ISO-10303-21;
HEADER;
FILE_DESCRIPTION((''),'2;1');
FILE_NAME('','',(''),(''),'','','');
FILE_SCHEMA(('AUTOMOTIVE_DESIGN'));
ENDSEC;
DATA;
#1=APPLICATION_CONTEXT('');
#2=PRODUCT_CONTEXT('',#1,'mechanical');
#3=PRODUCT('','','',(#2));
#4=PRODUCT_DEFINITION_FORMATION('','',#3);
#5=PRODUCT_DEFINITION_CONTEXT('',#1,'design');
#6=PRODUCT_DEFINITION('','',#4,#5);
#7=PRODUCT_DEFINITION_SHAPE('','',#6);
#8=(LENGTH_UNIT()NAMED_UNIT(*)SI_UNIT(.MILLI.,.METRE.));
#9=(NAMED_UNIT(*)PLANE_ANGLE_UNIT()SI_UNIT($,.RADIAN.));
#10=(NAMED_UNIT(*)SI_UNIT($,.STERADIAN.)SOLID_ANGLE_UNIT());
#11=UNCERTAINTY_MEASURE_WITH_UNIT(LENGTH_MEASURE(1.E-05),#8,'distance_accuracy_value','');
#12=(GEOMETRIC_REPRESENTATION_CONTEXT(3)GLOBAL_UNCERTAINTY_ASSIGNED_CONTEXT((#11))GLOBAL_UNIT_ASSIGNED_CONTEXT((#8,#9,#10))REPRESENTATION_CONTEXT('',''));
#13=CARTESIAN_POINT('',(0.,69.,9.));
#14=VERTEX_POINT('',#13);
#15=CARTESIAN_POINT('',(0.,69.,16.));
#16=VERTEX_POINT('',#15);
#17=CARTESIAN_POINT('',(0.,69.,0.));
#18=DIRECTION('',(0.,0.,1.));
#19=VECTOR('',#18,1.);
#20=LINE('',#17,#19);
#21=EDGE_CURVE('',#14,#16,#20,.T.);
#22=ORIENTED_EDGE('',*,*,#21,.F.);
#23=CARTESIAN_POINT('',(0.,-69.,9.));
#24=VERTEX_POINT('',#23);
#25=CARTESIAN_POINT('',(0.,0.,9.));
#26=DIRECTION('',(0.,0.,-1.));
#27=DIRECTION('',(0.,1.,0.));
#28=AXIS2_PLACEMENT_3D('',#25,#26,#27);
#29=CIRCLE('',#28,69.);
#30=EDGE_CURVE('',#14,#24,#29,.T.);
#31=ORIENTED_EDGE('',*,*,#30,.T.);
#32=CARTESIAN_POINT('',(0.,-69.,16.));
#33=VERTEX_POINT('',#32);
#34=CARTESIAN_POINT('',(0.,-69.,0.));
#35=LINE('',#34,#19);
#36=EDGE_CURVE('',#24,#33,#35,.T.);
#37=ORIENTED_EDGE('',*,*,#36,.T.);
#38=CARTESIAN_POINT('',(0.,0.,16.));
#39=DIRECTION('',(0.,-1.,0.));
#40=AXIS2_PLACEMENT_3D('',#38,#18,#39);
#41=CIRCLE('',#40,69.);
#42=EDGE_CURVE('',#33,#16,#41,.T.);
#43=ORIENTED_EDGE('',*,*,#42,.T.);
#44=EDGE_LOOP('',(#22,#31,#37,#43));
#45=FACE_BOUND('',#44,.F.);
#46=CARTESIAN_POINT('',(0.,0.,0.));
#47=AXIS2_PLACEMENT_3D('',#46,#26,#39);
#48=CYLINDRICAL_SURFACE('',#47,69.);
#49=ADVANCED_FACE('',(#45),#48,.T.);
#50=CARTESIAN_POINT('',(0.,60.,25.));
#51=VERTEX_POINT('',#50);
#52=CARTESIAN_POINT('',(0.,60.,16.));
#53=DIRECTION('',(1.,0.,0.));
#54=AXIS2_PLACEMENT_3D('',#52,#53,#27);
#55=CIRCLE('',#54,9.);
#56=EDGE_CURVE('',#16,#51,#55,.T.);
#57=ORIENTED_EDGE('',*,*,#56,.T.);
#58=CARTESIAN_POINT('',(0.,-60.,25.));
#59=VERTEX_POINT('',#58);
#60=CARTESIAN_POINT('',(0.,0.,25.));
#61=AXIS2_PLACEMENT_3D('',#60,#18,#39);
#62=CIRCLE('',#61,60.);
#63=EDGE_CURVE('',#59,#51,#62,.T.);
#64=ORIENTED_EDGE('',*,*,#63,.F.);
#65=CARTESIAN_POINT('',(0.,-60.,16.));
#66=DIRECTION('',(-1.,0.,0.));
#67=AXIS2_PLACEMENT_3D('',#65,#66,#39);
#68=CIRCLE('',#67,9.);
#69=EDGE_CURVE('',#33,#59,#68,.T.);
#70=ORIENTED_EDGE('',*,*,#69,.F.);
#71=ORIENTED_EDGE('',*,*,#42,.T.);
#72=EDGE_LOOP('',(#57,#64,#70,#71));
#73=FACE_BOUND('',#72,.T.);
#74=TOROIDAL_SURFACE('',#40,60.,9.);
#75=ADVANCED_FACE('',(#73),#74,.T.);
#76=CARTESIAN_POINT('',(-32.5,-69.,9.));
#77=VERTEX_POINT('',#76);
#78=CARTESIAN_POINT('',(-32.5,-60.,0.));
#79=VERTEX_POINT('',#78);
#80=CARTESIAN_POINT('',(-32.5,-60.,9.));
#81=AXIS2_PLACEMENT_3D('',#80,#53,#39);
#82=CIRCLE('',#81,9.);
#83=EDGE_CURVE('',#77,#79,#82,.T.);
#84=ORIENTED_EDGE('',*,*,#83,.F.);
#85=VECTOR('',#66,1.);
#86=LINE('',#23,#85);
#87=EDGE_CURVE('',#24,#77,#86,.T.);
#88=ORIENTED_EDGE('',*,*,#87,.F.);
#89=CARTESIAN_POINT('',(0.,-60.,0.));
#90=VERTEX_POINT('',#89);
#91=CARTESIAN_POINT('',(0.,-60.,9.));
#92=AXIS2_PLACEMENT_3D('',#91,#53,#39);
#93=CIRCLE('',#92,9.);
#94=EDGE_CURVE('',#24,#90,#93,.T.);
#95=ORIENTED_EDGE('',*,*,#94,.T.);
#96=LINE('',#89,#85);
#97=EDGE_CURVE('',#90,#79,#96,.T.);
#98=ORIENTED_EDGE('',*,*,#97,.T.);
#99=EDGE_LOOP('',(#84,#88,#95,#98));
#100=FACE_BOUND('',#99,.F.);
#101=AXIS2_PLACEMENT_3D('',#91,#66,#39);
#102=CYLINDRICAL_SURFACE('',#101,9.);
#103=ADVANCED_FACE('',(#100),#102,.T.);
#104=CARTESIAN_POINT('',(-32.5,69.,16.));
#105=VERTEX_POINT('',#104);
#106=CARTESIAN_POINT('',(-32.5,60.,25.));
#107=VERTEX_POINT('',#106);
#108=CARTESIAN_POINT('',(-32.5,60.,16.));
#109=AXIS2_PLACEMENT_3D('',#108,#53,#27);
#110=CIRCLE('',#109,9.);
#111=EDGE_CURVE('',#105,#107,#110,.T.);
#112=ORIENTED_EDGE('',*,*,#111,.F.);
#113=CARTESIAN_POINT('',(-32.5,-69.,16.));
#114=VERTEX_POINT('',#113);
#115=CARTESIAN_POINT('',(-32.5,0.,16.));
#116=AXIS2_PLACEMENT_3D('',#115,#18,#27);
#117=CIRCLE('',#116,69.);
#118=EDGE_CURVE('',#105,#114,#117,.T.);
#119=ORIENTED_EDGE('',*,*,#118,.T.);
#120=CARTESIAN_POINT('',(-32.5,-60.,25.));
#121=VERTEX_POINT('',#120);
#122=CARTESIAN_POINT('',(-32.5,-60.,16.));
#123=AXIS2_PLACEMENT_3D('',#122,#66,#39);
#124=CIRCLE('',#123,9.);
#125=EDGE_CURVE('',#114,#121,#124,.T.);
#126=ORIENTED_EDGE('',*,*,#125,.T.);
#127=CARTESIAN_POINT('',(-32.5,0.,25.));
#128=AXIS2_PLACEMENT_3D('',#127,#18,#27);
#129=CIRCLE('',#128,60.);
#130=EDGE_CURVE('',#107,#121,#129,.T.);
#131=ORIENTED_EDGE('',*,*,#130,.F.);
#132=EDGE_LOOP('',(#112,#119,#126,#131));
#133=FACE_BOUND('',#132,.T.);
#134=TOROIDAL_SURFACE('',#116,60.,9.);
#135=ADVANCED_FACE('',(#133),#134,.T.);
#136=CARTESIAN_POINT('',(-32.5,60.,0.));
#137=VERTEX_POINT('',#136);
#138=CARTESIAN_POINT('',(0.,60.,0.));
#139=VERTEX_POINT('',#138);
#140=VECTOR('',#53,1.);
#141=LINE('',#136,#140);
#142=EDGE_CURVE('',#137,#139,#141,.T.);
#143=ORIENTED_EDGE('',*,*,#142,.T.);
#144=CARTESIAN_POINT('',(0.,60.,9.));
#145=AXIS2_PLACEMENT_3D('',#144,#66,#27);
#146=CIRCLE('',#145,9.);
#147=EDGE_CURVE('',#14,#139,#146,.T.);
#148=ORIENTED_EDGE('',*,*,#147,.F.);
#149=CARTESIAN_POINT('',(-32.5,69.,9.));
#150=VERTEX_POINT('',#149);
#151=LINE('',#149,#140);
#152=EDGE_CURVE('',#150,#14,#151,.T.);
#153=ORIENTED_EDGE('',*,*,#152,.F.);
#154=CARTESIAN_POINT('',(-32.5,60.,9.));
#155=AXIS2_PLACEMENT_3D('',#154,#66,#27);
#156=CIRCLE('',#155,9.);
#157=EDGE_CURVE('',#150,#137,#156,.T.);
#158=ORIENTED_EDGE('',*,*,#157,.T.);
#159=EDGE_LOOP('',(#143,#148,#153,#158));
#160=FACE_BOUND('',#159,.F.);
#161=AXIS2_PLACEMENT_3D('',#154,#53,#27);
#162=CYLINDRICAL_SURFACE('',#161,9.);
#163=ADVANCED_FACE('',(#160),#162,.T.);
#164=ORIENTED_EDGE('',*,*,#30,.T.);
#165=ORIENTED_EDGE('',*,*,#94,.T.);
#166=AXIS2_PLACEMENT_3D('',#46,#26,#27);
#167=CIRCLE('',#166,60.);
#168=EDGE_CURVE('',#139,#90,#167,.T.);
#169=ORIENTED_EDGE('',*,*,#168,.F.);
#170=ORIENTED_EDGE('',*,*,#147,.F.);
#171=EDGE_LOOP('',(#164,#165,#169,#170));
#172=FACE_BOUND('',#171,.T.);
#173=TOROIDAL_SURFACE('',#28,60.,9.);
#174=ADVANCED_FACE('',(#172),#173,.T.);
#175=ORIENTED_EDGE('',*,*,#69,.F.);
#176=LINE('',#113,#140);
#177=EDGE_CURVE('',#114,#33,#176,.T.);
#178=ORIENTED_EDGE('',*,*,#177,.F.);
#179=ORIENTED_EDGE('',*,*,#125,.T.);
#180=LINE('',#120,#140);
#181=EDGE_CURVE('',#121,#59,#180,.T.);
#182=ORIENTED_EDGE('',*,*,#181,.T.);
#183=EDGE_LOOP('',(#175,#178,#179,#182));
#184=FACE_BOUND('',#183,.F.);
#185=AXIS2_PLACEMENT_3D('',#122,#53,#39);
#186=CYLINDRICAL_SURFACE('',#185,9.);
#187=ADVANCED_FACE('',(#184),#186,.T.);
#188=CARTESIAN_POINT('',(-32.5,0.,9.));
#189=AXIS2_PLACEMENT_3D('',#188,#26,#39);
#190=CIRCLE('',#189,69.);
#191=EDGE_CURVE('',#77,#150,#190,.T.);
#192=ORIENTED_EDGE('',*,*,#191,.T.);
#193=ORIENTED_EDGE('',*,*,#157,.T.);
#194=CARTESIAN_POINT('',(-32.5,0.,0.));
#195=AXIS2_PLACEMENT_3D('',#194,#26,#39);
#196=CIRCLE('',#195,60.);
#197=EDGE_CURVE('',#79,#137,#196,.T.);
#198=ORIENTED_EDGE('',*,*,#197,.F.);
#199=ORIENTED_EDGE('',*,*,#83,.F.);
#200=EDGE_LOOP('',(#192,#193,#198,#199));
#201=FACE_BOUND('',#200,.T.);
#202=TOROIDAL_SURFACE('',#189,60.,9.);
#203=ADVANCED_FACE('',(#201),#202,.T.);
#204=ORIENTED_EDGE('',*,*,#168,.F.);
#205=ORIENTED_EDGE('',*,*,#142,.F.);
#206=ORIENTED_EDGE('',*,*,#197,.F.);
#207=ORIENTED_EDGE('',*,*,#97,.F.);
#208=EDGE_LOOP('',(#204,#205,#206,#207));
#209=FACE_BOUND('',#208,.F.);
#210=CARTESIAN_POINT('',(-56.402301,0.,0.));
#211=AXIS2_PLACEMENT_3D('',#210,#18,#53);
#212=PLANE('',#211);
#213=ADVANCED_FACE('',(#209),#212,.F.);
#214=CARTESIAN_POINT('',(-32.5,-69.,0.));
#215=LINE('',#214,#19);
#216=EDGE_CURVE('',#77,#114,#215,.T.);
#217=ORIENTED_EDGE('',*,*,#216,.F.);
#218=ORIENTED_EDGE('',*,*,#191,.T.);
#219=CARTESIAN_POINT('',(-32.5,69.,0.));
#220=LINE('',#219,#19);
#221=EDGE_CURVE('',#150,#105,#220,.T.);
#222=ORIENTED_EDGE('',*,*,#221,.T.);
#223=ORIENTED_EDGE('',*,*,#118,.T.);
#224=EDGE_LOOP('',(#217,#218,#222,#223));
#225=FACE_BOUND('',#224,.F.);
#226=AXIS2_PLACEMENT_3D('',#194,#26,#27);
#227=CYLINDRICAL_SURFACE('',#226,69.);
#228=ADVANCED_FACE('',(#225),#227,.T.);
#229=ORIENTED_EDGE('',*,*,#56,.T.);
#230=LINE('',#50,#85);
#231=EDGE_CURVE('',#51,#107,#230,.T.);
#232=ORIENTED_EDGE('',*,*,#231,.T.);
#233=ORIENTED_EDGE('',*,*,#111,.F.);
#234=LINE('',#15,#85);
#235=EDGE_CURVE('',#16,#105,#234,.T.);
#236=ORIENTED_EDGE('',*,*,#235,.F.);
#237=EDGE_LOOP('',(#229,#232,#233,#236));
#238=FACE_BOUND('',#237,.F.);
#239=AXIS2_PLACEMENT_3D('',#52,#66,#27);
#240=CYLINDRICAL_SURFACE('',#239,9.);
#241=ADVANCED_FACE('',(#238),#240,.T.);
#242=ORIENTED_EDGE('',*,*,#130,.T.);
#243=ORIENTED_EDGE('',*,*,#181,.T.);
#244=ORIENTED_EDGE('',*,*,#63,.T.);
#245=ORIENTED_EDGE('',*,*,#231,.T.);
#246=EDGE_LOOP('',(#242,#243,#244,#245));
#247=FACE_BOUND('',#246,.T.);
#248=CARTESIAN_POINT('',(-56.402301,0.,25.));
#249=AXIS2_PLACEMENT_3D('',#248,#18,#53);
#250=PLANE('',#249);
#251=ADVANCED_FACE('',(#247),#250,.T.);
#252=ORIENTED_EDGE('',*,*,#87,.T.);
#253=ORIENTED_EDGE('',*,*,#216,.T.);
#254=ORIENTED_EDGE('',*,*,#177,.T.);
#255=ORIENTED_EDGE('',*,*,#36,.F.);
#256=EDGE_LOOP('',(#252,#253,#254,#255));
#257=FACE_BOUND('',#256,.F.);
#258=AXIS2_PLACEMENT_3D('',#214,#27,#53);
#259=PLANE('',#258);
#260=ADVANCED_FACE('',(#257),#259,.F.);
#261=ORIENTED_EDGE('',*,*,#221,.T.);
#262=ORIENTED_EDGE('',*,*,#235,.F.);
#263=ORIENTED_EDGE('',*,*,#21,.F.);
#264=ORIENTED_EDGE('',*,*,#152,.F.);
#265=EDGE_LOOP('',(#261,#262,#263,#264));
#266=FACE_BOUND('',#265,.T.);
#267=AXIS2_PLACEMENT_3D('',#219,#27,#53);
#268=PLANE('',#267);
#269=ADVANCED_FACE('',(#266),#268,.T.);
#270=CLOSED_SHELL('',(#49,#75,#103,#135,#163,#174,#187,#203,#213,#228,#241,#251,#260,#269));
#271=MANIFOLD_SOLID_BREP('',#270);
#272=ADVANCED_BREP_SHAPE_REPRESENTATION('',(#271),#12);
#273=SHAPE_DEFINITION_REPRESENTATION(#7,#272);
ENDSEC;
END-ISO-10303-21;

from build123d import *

# Parameters (mm, degrees)
F0_W     = 32.5
F0_H     = 138
F1_DEPTH = 25
F2_R     = 9


with BuildPart() as f1:
    # F0 (on Top) → F1 (new body)
    with BuildSketch(Plane.XY):
        with BuildLine():
            Line((-32.5, -69), (-32.5, 69))
            ThreePointArc((-32.5, 69), (-101.5, 0), (-32.5, -69))
        make_face()
        with Locations((-16.25, 0)):
            Rectangle(F0_W, F0_H)
        with BuildLine():
            ThreePointArc((0, -69), (69, 0), (0, 69))
            Line((0, 69), (0, -69))
        make_face()
    extrude(amount=F1_DEPTH)

    # F2
    f2_edges = [f1.edges().sort_by_distance(p)[0] for p in [
        (-101.5, 0, 25),
        (69, 0, 25),
        (-16.25, 69, 25),
        (-16.25, 69, 0),
        (69, 0, 0),
        (-101.5, 0, 0),
        (-16.25, -69, 25),
        (-16.25, -69, 0),
    ]]
    fillet(f2_edges, radius=F2_R)


solid = f1.part
